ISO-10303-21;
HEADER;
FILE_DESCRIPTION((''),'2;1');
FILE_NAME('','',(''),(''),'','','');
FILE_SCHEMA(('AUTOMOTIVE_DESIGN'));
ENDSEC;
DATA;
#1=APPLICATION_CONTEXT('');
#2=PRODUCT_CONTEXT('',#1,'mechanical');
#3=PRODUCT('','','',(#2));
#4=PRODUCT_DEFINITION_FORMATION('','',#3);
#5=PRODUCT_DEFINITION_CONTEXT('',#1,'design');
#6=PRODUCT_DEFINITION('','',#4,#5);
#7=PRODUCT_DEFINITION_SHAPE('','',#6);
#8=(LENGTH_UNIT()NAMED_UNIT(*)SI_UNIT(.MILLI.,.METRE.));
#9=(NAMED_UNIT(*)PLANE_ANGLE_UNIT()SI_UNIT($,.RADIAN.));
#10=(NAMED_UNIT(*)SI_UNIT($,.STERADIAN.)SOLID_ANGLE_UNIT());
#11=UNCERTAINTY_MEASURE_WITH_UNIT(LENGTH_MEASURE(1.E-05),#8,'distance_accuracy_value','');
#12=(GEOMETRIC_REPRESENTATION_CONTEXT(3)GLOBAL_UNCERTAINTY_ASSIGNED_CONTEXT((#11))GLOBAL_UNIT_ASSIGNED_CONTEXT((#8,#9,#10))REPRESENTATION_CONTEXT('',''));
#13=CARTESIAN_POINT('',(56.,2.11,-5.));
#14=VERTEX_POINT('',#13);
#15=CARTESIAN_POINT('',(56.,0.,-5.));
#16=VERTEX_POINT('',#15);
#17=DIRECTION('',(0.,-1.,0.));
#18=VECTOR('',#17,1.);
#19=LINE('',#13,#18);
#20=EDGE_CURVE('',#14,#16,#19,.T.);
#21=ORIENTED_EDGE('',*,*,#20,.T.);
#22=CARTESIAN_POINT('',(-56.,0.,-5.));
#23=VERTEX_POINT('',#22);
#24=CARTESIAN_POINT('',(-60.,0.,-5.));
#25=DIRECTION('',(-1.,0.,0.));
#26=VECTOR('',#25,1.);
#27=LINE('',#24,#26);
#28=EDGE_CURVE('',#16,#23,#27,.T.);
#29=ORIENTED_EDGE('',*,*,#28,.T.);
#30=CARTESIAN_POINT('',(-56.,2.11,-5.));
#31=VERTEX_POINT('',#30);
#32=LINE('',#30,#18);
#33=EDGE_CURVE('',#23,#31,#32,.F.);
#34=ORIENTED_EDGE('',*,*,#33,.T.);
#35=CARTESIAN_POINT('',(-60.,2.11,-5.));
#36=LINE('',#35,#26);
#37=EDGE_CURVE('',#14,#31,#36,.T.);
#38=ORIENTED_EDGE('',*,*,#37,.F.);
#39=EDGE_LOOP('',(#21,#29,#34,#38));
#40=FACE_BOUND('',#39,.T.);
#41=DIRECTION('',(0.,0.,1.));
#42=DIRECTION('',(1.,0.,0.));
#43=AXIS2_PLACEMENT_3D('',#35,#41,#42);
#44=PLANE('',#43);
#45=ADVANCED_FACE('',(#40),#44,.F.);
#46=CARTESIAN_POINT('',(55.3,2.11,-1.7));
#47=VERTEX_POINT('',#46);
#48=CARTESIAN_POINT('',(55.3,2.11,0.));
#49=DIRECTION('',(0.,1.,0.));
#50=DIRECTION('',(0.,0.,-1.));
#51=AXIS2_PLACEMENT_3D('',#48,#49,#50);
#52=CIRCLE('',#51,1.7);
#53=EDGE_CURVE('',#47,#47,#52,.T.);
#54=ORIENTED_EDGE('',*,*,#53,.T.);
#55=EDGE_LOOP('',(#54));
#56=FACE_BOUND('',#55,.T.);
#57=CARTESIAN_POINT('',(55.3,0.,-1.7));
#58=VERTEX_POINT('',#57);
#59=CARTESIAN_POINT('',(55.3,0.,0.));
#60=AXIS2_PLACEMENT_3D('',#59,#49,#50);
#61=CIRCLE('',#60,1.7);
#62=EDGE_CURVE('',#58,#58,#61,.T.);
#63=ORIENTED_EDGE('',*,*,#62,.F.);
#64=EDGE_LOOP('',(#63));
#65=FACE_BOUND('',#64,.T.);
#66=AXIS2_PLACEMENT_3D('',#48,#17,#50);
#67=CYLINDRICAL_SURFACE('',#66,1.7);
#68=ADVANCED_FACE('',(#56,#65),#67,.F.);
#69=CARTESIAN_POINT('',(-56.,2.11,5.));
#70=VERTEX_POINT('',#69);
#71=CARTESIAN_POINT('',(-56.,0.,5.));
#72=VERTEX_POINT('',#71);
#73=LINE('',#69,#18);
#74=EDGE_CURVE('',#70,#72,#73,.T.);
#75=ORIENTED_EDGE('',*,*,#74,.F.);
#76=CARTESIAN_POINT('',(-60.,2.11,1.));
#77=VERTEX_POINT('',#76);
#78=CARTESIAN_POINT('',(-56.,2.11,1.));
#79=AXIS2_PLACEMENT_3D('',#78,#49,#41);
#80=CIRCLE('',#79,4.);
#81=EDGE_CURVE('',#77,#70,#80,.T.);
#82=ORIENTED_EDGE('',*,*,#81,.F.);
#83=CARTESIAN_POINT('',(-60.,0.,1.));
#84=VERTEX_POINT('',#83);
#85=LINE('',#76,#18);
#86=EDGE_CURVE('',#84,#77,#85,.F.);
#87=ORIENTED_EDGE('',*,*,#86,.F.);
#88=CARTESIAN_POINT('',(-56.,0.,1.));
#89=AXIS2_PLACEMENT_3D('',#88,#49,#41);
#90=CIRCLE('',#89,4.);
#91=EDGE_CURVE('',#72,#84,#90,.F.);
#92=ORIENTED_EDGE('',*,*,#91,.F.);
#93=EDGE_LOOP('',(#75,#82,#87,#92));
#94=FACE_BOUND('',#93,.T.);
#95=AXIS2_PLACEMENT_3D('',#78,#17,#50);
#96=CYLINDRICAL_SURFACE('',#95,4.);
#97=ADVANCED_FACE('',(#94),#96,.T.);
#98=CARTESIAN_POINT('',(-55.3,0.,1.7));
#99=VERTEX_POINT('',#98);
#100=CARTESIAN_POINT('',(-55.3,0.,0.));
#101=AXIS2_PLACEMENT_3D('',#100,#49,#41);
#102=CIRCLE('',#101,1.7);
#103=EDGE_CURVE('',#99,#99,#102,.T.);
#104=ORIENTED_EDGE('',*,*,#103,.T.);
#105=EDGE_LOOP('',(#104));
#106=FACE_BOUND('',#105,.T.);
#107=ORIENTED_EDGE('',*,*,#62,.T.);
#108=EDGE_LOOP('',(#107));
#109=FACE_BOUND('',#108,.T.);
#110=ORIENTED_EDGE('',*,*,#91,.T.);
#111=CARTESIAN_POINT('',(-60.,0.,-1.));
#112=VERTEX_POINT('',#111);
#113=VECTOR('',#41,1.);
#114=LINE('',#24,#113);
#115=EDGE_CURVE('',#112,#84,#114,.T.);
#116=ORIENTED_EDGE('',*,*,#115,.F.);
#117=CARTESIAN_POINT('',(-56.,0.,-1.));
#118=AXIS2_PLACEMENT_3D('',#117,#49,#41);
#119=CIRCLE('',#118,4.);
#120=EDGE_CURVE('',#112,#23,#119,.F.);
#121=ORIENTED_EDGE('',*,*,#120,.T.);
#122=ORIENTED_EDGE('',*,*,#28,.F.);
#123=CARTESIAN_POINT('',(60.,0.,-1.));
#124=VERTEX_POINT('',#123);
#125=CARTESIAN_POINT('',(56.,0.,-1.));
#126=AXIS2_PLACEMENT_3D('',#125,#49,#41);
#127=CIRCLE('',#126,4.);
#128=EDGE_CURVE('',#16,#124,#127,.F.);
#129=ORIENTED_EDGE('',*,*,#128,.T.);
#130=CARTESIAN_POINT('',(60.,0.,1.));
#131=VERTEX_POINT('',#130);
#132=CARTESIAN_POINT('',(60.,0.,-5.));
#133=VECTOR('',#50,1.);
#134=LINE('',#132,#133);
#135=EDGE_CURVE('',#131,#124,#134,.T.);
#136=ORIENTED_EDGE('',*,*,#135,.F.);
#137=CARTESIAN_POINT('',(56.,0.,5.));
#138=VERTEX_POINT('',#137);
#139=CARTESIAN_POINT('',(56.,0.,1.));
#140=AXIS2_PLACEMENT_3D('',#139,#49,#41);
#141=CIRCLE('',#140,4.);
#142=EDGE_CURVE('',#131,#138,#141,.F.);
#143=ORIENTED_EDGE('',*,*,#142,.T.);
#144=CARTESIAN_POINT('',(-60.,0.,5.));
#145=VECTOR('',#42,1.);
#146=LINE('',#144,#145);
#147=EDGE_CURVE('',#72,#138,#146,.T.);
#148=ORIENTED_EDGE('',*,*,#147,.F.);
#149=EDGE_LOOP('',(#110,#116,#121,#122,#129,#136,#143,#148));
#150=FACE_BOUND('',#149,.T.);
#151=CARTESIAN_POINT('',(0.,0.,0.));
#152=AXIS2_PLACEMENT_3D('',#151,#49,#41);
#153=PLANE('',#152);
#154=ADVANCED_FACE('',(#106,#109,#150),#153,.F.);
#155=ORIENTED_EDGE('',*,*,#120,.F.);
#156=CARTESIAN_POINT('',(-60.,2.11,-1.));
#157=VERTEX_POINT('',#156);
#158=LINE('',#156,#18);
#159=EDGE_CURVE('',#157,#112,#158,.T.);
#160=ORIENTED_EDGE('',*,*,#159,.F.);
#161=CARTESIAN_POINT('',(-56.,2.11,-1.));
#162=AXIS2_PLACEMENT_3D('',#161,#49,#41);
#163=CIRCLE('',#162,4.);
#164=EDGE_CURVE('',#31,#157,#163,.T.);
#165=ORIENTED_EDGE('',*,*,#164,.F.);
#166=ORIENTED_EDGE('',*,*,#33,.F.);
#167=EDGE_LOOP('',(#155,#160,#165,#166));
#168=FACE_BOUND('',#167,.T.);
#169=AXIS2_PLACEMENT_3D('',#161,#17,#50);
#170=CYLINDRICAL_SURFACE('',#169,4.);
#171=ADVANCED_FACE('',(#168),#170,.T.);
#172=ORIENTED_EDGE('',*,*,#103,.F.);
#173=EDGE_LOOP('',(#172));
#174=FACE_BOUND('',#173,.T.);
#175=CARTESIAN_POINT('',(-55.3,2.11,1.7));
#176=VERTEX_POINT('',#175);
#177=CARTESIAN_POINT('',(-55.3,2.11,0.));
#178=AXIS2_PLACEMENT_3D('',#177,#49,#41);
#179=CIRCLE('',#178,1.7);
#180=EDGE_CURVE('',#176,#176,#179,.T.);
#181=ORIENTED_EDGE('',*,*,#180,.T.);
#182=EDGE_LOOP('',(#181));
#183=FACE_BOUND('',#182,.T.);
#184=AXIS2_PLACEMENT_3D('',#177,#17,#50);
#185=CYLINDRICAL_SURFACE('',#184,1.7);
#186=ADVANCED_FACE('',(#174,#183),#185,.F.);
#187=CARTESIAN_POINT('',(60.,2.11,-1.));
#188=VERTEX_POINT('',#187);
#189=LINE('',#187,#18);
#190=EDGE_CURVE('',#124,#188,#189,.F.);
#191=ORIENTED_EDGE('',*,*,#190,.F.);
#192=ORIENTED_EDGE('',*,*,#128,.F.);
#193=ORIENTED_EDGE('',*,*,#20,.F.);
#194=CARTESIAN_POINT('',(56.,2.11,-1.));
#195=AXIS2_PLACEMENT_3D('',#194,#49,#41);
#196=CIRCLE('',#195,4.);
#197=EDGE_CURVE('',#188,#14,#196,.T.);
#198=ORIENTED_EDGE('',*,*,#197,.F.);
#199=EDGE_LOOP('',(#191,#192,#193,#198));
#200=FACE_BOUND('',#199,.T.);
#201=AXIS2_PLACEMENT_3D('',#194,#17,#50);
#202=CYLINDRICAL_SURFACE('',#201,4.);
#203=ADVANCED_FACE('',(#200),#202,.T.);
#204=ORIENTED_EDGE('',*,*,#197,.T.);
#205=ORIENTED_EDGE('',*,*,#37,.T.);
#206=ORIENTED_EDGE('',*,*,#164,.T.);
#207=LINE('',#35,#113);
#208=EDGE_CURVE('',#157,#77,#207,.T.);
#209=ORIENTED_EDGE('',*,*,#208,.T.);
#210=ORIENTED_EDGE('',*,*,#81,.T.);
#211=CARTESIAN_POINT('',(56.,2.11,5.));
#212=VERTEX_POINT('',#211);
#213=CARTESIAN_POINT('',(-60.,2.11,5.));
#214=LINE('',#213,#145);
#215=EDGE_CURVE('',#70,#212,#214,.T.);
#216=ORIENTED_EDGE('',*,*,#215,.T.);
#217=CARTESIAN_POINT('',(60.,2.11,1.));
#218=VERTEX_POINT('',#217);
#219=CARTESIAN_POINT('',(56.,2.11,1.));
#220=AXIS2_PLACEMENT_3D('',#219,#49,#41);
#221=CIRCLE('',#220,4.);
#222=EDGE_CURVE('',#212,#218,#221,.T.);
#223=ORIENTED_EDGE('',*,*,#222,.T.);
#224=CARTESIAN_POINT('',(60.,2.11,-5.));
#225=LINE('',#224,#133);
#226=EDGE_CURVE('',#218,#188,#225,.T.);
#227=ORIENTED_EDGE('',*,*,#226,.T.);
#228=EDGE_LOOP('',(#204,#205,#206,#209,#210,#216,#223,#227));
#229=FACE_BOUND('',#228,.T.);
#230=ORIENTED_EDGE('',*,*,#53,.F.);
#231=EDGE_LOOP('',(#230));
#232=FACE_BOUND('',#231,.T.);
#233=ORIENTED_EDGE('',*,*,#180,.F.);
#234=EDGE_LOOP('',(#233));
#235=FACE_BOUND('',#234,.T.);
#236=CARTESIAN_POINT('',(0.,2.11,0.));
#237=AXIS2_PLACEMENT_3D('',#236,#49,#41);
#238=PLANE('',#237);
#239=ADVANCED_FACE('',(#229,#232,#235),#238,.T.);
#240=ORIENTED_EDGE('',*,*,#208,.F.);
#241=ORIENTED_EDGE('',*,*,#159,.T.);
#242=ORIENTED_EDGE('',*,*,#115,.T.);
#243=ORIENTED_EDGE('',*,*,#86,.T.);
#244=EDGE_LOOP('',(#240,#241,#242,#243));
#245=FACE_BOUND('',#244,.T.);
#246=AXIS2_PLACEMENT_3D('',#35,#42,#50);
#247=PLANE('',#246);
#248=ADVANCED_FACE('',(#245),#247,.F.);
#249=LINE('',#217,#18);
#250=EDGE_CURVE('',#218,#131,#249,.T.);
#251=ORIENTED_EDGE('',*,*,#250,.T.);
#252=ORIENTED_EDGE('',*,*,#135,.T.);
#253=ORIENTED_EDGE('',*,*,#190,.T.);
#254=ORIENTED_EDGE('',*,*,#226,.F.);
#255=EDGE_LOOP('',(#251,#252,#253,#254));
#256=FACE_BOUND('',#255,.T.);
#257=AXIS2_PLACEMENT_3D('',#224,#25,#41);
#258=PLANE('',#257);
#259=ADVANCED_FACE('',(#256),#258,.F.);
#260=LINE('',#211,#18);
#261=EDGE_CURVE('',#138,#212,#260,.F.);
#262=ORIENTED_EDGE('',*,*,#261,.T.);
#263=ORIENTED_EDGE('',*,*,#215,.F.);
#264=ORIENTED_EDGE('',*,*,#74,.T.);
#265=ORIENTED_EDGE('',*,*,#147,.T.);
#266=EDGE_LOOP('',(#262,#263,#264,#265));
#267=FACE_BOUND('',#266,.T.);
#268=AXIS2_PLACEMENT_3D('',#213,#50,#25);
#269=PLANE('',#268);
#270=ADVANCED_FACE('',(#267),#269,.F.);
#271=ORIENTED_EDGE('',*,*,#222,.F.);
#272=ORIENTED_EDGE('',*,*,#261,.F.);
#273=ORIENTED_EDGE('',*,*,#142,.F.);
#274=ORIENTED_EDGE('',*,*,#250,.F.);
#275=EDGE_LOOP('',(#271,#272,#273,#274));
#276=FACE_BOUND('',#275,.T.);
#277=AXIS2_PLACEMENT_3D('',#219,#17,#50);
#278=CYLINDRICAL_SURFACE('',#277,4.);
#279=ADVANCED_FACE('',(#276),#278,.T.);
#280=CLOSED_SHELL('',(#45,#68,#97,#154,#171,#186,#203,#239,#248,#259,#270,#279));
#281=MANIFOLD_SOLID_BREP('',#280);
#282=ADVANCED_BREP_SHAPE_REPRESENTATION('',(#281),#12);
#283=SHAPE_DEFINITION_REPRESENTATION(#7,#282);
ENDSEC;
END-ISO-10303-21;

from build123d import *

# Parameters (mm, degrees)
CROQUIS1_W              = 120
CROQUIS1_H              = 10
CROQUIS1_R              = 1.7
SALIENTE_EXTRUIR1_DEPTH = 2.11
REDONDEO1_R             = 4


with BuildPart() as part:
    # Croquis1 → Saliente-Extruir1 (new body)
    with BuildSketch(Plane(origin=(0, 0, 0), x_dir=(1, 0, 0), z_dir=(0, 1, 0))):
        Rectangle(CROQUIS1_W, CROQUIS1_H)
        with Locations((-55.3, 0)):
            Circle(CROQUIS1_R, mode=Mode.SUBTRACT)
        with Locations((55.3, 0)):
            Circle(CROQUIS1_R, mode=Mode.SUBTRACT)
    extrude(amount=SALIENTE_EXTRUIR1_DEPTH)

    # Redondeo1
    redondeo1_edges = [part.edges().sort_by_distance(p)[0] for p in [
        (60, 1.055, 5),
        (-60, 1.055, 5),
        (-60, 1.055, -5),
        (60, 1.055, -5),
    ]]
    fillet(redondeo1_edges, radius=REDONDEO1_R)


solid = part.part
